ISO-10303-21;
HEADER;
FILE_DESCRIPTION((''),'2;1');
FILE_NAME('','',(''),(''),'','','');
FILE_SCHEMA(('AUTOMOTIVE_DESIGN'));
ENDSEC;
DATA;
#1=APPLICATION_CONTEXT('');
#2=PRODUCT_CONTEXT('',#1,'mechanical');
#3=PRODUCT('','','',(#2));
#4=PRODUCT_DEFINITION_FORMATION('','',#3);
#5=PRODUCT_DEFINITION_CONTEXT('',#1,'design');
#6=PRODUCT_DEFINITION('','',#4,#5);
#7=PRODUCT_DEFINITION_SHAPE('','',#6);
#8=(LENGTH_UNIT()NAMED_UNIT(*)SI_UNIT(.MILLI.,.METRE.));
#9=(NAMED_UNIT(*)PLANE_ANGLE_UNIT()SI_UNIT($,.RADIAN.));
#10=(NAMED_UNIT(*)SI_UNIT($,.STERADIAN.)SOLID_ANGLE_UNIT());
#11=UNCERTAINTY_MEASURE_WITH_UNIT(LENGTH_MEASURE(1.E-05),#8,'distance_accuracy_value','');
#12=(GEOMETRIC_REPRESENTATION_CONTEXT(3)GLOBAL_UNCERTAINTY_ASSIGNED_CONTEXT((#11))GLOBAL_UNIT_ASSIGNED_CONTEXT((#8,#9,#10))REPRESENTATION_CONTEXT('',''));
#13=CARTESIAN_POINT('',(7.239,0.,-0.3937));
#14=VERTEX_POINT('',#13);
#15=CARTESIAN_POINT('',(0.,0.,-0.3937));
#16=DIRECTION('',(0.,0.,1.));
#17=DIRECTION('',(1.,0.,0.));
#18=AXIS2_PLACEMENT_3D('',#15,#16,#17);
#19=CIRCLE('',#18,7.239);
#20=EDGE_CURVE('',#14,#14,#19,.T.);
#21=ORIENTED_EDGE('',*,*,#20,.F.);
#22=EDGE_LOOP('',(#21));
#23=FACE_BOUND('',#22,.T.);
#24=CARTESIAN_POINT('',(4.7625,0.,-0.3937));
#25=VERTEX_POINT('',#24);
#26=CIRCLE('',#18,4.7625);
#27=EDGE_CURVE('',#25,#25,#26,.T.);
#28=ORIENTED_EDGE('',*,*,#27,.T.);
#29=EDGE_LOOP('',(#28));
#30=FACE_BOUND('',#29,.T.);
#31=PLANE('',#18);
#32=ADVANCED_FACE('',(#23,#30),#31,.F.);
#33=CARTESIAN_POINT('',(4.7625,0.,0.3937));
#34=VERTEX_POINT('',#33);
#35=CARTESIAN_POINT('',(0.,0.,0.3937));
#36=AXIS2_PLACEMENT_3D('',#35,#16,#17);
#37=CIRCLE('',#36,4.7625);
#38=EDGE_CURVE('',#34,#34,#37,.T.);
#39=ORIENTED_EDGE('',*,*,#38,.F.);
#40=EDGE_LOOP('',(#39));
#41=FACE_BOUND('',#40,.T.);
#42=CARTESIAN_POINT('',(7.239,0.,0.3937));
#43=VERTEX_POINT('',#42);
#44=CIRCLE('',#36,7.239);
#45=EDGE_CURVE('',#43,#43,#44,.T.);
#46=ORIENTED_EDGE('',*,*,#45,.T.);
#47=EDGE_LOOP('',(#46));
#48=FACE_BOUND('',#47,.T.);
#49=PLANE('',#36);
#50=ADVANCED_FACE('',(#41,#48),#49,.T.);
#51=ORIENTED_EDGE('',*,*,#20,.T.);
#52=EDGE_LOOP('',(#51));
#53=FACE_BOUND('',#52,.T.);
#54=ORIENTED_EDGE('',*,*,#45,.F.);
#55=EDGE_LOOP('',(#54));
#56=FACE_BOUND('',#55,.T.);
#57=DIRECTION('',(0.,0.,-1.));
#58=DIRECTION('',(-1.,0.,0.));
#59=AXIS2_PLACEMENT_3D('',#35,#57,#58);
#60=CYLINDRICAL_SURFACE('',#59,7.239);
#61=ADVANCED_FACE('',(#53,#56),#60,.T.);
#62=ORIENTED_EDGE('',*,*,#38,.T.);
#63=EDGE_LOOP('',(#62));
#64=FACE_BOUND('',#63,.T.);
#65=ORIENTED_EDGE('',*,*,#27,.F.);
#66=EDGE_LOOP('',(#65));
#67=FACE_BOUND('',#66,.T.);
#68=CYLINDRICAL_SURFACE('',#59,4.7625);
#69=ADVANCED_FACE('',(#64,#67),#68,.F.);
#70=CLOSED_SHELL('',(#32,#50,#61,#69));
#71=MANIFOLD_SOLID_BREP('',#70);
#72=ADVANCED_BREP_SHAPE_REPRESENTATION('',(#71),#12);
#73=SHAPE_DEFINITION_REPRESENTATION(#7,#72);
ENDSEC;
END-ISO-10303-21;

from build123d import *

# Parameters (mm, degrees)
SKETCH3_R           = 7.239
SKETCH3_R_2         = 4.7625
BOSS_EXTRUDE1_DEPTH = 0.3937


with BuildPart() as part:
    # Sketch3 → Boss-Extrude1 (new, symmetric)
    with BuildSketch(Plane.XY):
        Circle(SKETCH3_R)
        Circle(SKETCH3_R_2, mode=Mode.SUBTRACT)
    extrude(amount=BOSS_EXTRUDE1_DEPTH, both=True)


solid = part.part
